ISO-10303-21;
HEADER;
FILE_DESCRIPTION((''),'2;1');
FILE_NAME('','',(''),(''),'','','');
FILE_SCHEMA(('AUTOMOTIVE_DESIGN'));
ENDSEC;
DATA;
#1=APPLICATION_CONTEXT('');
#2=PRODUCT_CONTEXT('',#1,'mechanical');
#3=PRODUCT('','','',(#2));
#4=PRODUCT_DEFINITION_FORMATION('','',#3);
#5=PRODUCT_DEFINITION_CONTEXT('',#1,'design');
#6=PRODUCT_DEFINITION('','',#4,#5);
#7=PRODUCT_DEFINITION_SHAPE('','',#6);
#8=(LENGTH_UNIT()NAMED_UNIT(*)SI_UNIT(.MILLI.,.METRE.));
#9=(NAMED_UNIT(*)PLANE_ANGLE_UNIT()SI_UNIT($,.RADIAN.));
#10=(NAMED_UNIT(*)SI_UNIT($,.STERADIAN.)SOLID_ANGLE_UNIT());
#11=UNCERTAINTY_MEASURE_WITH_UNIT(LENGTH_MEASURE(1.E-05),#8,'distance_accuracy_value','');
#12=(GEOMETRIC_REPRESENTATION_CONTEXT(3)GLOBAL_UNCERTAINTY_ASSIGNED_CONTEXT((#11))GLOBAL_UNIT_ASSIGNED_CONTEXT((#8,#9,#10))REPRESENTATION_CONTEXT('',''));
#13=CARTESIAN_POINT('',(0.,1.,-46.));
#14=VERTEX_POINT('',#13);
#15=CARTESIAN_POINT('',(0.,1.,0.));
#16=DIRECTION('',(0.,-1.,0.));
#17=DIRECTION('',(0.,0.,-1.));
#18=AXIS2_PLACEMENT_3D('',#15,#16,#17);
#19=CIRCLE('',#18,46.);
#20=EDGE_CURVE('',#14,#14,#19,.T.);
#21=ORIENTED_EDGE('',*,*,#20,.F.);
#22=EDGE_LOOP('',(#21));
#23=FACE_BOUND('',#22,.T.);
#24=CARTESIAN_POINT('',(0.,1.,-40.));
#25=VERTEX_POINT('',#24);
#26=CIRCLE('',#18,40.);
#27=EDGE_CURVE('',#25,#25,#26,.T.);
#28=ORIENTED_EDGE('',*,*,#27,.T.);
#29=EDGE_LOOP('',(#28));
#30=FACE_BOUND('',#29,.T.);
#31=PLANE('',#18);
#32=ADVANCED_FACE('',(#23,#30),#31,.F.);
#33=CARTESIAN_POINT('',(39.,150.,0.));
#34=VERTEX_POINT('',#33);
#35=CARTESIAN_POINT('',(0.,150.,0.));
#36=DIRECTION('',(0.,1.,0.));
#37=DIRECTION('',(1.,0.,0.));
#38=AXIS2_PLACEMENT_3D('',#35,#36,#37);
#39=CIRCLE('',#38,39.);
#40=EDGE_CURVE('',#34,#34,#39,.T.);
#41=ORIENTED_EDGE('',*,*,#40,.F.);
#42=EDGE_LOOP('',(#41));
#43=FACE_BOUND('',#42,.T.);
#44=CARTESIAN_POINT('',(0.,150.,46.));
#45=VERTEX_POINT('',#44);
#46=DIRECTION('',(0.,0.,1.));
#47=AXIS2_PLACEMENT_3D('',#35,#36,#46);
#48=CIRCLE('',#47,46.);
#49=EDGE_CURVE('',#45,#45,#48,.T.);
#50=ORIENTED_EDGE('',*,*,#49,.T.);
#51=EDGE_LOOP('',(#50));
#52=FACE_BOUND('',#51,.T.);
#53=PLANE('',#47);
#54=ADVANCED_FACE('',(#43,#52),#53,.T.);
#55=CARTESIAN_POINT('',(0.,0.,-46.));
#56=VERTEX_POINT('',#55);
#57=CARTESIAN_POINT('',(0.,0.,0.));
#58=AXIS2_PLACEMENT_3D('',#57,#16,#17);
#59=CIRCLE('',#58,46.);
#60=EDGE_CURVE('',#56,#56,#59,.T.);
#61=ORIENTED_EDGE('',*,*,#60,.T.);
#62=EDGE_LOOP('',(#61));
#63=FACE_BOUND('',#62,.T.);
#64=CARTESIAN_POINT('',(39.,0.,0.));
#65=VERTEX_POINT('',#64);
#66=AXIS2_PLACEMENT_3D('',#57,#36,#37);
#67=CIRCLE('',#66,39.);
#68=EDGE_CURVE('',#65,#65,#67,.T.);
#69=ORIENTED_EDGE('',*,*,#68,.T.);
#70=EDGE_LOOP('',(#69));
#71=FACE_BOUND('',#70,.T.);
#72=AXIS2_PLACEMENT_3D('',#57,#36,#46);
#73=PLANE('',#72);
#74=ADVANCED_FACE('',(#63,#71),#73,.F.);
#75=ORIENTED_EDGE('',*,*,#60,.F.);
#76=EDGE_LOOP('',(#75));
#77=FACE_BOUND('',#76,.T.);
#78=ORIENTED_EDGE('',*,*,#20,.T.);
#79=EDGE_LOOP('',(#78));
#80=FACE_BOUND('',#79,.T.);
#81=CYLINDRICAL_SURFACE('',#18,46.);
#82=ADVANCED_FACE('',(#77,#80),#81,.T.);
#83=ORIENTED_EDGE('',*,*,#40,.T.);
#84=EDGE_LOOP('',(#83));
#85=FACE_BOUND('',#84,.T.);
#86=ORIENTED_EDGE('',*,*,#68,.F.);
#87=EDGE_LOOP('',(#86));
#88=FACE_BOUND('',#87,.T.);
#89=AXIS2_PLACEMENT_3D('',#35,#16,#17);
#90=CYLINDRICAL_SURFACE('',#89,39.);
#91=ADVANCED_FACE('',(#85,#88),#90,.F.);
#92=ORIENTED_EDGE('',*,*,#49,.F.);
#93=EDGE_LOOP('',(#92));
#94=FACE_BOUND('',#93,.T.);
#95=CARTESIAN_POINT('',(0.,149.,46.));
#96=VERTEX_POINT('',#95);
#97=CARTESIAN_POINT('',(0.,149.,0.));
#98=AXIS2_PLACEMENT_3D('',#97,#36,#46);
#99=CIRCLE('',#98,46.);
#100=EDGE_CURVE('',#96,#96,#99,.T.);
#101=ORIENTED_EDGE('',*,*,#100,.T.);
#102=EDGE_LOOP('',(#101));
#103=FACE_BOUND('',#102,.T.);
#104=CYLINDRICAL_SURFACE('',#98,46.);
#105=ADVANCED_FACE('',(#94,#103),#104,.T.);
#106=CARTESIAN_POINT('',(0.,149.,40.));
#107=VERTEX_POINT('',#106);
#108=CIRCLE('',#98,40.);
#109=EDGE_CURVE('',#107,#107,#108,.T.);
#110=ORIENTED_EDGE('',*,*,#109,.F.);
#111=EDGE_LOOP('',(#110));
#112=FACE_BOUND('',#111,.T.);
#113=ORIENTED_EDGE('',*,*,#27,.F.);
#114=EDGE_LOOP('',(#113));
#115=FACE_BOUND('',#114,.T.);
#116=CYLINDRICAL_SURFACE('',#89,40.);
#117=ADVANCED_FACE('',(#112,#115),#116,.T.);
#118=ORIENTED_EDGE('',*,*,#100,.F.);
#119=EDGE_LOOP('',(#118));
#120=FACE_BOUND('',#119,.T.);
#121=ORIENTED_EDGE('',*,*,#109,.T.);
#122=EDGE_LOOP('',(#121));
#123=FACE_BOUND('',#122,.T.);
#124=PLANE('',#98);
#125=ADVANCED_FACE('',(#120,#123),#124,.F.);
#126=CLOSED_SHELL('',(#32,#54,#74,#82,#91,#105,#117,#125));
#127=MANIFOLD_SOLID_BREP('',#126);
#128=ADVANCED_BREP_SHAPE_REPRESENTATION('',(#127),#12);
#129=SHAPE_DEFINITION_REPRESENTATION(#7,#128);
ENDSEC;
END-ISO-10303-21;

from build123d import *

# Parameters (mm, degrees)
SCHIZZO1_R                   = 40
SCHIZZO1_R_2                 = 39
ESTRUSIONE_SOTTILE1_DEPTH    = 150
ESTRUSIONE_ESTRUSIONE1_START = -1
SCHIZZO2_R                   = 46
SCHIZZO2_R_2                 = 40
ESTRUSIONE_ESTRUSIONE1_DEPTH = 1
SCHIZZO3_R                   = 46
SCHIZZO3_R_2                 = 40
ESTRUSIONE_ESTRUSIONE2_DEPTH = 1


with BuildPart() as part:
    # Schizzo1 → Estrusione-Sottile1 (new body)
    with BuildSketch(Plane(origin=(0, 0, 0), x_dir=(1, 0, 0), z_dir=(0, 1, 0))):
        Circle(SCHIZZO1_R)
        Circle(SCHIZZO1_R_2, mode=Mode.SUBTRACT)
    extrude(amount=ESTRUSIONE_SOTTILE1_DEPTH)

    # Schizzo2 → Estrusione-Estrusione1 (add)
    with BuildSketch(Plane(origin=(0, 150, 0), x_dir=(1, 0, 0), z_dir=(0, 1, 0)).offset(ESTRUSIONE_ESTRUSIONE1_START)):
        with Locations(Location((0, 0, 0), (0, 0, 270))):
            Circle(SCHIZZO2_R)
        with Locations(Location((0, 0, 0), (0, 0, 270))):
            Circle(SCHIZZO2_R_2, mode=Mode.SUBTRACT)
    extrude(amount=ESTRUSIONE_ESTRUSIONE1_DEPTH)

    # Schizzo3 → Estrusione-Estrusione2 (add)
    with BuildSketch(Plane.XZ):
        with Locations(Location((0, 0, 0), (0, 0, 90))):
            Circle(SCHIZZO3_R)
        with Locations(Location((0, 0, 0), (0, 0, 270))):
            Circle(SCHIZZO3_R_2, mode=Mode.SUBTRACT)
    extrude(amount=-ESTRUSIONE_ESTRUSIONE2_DEPTH)


solid = part.part
